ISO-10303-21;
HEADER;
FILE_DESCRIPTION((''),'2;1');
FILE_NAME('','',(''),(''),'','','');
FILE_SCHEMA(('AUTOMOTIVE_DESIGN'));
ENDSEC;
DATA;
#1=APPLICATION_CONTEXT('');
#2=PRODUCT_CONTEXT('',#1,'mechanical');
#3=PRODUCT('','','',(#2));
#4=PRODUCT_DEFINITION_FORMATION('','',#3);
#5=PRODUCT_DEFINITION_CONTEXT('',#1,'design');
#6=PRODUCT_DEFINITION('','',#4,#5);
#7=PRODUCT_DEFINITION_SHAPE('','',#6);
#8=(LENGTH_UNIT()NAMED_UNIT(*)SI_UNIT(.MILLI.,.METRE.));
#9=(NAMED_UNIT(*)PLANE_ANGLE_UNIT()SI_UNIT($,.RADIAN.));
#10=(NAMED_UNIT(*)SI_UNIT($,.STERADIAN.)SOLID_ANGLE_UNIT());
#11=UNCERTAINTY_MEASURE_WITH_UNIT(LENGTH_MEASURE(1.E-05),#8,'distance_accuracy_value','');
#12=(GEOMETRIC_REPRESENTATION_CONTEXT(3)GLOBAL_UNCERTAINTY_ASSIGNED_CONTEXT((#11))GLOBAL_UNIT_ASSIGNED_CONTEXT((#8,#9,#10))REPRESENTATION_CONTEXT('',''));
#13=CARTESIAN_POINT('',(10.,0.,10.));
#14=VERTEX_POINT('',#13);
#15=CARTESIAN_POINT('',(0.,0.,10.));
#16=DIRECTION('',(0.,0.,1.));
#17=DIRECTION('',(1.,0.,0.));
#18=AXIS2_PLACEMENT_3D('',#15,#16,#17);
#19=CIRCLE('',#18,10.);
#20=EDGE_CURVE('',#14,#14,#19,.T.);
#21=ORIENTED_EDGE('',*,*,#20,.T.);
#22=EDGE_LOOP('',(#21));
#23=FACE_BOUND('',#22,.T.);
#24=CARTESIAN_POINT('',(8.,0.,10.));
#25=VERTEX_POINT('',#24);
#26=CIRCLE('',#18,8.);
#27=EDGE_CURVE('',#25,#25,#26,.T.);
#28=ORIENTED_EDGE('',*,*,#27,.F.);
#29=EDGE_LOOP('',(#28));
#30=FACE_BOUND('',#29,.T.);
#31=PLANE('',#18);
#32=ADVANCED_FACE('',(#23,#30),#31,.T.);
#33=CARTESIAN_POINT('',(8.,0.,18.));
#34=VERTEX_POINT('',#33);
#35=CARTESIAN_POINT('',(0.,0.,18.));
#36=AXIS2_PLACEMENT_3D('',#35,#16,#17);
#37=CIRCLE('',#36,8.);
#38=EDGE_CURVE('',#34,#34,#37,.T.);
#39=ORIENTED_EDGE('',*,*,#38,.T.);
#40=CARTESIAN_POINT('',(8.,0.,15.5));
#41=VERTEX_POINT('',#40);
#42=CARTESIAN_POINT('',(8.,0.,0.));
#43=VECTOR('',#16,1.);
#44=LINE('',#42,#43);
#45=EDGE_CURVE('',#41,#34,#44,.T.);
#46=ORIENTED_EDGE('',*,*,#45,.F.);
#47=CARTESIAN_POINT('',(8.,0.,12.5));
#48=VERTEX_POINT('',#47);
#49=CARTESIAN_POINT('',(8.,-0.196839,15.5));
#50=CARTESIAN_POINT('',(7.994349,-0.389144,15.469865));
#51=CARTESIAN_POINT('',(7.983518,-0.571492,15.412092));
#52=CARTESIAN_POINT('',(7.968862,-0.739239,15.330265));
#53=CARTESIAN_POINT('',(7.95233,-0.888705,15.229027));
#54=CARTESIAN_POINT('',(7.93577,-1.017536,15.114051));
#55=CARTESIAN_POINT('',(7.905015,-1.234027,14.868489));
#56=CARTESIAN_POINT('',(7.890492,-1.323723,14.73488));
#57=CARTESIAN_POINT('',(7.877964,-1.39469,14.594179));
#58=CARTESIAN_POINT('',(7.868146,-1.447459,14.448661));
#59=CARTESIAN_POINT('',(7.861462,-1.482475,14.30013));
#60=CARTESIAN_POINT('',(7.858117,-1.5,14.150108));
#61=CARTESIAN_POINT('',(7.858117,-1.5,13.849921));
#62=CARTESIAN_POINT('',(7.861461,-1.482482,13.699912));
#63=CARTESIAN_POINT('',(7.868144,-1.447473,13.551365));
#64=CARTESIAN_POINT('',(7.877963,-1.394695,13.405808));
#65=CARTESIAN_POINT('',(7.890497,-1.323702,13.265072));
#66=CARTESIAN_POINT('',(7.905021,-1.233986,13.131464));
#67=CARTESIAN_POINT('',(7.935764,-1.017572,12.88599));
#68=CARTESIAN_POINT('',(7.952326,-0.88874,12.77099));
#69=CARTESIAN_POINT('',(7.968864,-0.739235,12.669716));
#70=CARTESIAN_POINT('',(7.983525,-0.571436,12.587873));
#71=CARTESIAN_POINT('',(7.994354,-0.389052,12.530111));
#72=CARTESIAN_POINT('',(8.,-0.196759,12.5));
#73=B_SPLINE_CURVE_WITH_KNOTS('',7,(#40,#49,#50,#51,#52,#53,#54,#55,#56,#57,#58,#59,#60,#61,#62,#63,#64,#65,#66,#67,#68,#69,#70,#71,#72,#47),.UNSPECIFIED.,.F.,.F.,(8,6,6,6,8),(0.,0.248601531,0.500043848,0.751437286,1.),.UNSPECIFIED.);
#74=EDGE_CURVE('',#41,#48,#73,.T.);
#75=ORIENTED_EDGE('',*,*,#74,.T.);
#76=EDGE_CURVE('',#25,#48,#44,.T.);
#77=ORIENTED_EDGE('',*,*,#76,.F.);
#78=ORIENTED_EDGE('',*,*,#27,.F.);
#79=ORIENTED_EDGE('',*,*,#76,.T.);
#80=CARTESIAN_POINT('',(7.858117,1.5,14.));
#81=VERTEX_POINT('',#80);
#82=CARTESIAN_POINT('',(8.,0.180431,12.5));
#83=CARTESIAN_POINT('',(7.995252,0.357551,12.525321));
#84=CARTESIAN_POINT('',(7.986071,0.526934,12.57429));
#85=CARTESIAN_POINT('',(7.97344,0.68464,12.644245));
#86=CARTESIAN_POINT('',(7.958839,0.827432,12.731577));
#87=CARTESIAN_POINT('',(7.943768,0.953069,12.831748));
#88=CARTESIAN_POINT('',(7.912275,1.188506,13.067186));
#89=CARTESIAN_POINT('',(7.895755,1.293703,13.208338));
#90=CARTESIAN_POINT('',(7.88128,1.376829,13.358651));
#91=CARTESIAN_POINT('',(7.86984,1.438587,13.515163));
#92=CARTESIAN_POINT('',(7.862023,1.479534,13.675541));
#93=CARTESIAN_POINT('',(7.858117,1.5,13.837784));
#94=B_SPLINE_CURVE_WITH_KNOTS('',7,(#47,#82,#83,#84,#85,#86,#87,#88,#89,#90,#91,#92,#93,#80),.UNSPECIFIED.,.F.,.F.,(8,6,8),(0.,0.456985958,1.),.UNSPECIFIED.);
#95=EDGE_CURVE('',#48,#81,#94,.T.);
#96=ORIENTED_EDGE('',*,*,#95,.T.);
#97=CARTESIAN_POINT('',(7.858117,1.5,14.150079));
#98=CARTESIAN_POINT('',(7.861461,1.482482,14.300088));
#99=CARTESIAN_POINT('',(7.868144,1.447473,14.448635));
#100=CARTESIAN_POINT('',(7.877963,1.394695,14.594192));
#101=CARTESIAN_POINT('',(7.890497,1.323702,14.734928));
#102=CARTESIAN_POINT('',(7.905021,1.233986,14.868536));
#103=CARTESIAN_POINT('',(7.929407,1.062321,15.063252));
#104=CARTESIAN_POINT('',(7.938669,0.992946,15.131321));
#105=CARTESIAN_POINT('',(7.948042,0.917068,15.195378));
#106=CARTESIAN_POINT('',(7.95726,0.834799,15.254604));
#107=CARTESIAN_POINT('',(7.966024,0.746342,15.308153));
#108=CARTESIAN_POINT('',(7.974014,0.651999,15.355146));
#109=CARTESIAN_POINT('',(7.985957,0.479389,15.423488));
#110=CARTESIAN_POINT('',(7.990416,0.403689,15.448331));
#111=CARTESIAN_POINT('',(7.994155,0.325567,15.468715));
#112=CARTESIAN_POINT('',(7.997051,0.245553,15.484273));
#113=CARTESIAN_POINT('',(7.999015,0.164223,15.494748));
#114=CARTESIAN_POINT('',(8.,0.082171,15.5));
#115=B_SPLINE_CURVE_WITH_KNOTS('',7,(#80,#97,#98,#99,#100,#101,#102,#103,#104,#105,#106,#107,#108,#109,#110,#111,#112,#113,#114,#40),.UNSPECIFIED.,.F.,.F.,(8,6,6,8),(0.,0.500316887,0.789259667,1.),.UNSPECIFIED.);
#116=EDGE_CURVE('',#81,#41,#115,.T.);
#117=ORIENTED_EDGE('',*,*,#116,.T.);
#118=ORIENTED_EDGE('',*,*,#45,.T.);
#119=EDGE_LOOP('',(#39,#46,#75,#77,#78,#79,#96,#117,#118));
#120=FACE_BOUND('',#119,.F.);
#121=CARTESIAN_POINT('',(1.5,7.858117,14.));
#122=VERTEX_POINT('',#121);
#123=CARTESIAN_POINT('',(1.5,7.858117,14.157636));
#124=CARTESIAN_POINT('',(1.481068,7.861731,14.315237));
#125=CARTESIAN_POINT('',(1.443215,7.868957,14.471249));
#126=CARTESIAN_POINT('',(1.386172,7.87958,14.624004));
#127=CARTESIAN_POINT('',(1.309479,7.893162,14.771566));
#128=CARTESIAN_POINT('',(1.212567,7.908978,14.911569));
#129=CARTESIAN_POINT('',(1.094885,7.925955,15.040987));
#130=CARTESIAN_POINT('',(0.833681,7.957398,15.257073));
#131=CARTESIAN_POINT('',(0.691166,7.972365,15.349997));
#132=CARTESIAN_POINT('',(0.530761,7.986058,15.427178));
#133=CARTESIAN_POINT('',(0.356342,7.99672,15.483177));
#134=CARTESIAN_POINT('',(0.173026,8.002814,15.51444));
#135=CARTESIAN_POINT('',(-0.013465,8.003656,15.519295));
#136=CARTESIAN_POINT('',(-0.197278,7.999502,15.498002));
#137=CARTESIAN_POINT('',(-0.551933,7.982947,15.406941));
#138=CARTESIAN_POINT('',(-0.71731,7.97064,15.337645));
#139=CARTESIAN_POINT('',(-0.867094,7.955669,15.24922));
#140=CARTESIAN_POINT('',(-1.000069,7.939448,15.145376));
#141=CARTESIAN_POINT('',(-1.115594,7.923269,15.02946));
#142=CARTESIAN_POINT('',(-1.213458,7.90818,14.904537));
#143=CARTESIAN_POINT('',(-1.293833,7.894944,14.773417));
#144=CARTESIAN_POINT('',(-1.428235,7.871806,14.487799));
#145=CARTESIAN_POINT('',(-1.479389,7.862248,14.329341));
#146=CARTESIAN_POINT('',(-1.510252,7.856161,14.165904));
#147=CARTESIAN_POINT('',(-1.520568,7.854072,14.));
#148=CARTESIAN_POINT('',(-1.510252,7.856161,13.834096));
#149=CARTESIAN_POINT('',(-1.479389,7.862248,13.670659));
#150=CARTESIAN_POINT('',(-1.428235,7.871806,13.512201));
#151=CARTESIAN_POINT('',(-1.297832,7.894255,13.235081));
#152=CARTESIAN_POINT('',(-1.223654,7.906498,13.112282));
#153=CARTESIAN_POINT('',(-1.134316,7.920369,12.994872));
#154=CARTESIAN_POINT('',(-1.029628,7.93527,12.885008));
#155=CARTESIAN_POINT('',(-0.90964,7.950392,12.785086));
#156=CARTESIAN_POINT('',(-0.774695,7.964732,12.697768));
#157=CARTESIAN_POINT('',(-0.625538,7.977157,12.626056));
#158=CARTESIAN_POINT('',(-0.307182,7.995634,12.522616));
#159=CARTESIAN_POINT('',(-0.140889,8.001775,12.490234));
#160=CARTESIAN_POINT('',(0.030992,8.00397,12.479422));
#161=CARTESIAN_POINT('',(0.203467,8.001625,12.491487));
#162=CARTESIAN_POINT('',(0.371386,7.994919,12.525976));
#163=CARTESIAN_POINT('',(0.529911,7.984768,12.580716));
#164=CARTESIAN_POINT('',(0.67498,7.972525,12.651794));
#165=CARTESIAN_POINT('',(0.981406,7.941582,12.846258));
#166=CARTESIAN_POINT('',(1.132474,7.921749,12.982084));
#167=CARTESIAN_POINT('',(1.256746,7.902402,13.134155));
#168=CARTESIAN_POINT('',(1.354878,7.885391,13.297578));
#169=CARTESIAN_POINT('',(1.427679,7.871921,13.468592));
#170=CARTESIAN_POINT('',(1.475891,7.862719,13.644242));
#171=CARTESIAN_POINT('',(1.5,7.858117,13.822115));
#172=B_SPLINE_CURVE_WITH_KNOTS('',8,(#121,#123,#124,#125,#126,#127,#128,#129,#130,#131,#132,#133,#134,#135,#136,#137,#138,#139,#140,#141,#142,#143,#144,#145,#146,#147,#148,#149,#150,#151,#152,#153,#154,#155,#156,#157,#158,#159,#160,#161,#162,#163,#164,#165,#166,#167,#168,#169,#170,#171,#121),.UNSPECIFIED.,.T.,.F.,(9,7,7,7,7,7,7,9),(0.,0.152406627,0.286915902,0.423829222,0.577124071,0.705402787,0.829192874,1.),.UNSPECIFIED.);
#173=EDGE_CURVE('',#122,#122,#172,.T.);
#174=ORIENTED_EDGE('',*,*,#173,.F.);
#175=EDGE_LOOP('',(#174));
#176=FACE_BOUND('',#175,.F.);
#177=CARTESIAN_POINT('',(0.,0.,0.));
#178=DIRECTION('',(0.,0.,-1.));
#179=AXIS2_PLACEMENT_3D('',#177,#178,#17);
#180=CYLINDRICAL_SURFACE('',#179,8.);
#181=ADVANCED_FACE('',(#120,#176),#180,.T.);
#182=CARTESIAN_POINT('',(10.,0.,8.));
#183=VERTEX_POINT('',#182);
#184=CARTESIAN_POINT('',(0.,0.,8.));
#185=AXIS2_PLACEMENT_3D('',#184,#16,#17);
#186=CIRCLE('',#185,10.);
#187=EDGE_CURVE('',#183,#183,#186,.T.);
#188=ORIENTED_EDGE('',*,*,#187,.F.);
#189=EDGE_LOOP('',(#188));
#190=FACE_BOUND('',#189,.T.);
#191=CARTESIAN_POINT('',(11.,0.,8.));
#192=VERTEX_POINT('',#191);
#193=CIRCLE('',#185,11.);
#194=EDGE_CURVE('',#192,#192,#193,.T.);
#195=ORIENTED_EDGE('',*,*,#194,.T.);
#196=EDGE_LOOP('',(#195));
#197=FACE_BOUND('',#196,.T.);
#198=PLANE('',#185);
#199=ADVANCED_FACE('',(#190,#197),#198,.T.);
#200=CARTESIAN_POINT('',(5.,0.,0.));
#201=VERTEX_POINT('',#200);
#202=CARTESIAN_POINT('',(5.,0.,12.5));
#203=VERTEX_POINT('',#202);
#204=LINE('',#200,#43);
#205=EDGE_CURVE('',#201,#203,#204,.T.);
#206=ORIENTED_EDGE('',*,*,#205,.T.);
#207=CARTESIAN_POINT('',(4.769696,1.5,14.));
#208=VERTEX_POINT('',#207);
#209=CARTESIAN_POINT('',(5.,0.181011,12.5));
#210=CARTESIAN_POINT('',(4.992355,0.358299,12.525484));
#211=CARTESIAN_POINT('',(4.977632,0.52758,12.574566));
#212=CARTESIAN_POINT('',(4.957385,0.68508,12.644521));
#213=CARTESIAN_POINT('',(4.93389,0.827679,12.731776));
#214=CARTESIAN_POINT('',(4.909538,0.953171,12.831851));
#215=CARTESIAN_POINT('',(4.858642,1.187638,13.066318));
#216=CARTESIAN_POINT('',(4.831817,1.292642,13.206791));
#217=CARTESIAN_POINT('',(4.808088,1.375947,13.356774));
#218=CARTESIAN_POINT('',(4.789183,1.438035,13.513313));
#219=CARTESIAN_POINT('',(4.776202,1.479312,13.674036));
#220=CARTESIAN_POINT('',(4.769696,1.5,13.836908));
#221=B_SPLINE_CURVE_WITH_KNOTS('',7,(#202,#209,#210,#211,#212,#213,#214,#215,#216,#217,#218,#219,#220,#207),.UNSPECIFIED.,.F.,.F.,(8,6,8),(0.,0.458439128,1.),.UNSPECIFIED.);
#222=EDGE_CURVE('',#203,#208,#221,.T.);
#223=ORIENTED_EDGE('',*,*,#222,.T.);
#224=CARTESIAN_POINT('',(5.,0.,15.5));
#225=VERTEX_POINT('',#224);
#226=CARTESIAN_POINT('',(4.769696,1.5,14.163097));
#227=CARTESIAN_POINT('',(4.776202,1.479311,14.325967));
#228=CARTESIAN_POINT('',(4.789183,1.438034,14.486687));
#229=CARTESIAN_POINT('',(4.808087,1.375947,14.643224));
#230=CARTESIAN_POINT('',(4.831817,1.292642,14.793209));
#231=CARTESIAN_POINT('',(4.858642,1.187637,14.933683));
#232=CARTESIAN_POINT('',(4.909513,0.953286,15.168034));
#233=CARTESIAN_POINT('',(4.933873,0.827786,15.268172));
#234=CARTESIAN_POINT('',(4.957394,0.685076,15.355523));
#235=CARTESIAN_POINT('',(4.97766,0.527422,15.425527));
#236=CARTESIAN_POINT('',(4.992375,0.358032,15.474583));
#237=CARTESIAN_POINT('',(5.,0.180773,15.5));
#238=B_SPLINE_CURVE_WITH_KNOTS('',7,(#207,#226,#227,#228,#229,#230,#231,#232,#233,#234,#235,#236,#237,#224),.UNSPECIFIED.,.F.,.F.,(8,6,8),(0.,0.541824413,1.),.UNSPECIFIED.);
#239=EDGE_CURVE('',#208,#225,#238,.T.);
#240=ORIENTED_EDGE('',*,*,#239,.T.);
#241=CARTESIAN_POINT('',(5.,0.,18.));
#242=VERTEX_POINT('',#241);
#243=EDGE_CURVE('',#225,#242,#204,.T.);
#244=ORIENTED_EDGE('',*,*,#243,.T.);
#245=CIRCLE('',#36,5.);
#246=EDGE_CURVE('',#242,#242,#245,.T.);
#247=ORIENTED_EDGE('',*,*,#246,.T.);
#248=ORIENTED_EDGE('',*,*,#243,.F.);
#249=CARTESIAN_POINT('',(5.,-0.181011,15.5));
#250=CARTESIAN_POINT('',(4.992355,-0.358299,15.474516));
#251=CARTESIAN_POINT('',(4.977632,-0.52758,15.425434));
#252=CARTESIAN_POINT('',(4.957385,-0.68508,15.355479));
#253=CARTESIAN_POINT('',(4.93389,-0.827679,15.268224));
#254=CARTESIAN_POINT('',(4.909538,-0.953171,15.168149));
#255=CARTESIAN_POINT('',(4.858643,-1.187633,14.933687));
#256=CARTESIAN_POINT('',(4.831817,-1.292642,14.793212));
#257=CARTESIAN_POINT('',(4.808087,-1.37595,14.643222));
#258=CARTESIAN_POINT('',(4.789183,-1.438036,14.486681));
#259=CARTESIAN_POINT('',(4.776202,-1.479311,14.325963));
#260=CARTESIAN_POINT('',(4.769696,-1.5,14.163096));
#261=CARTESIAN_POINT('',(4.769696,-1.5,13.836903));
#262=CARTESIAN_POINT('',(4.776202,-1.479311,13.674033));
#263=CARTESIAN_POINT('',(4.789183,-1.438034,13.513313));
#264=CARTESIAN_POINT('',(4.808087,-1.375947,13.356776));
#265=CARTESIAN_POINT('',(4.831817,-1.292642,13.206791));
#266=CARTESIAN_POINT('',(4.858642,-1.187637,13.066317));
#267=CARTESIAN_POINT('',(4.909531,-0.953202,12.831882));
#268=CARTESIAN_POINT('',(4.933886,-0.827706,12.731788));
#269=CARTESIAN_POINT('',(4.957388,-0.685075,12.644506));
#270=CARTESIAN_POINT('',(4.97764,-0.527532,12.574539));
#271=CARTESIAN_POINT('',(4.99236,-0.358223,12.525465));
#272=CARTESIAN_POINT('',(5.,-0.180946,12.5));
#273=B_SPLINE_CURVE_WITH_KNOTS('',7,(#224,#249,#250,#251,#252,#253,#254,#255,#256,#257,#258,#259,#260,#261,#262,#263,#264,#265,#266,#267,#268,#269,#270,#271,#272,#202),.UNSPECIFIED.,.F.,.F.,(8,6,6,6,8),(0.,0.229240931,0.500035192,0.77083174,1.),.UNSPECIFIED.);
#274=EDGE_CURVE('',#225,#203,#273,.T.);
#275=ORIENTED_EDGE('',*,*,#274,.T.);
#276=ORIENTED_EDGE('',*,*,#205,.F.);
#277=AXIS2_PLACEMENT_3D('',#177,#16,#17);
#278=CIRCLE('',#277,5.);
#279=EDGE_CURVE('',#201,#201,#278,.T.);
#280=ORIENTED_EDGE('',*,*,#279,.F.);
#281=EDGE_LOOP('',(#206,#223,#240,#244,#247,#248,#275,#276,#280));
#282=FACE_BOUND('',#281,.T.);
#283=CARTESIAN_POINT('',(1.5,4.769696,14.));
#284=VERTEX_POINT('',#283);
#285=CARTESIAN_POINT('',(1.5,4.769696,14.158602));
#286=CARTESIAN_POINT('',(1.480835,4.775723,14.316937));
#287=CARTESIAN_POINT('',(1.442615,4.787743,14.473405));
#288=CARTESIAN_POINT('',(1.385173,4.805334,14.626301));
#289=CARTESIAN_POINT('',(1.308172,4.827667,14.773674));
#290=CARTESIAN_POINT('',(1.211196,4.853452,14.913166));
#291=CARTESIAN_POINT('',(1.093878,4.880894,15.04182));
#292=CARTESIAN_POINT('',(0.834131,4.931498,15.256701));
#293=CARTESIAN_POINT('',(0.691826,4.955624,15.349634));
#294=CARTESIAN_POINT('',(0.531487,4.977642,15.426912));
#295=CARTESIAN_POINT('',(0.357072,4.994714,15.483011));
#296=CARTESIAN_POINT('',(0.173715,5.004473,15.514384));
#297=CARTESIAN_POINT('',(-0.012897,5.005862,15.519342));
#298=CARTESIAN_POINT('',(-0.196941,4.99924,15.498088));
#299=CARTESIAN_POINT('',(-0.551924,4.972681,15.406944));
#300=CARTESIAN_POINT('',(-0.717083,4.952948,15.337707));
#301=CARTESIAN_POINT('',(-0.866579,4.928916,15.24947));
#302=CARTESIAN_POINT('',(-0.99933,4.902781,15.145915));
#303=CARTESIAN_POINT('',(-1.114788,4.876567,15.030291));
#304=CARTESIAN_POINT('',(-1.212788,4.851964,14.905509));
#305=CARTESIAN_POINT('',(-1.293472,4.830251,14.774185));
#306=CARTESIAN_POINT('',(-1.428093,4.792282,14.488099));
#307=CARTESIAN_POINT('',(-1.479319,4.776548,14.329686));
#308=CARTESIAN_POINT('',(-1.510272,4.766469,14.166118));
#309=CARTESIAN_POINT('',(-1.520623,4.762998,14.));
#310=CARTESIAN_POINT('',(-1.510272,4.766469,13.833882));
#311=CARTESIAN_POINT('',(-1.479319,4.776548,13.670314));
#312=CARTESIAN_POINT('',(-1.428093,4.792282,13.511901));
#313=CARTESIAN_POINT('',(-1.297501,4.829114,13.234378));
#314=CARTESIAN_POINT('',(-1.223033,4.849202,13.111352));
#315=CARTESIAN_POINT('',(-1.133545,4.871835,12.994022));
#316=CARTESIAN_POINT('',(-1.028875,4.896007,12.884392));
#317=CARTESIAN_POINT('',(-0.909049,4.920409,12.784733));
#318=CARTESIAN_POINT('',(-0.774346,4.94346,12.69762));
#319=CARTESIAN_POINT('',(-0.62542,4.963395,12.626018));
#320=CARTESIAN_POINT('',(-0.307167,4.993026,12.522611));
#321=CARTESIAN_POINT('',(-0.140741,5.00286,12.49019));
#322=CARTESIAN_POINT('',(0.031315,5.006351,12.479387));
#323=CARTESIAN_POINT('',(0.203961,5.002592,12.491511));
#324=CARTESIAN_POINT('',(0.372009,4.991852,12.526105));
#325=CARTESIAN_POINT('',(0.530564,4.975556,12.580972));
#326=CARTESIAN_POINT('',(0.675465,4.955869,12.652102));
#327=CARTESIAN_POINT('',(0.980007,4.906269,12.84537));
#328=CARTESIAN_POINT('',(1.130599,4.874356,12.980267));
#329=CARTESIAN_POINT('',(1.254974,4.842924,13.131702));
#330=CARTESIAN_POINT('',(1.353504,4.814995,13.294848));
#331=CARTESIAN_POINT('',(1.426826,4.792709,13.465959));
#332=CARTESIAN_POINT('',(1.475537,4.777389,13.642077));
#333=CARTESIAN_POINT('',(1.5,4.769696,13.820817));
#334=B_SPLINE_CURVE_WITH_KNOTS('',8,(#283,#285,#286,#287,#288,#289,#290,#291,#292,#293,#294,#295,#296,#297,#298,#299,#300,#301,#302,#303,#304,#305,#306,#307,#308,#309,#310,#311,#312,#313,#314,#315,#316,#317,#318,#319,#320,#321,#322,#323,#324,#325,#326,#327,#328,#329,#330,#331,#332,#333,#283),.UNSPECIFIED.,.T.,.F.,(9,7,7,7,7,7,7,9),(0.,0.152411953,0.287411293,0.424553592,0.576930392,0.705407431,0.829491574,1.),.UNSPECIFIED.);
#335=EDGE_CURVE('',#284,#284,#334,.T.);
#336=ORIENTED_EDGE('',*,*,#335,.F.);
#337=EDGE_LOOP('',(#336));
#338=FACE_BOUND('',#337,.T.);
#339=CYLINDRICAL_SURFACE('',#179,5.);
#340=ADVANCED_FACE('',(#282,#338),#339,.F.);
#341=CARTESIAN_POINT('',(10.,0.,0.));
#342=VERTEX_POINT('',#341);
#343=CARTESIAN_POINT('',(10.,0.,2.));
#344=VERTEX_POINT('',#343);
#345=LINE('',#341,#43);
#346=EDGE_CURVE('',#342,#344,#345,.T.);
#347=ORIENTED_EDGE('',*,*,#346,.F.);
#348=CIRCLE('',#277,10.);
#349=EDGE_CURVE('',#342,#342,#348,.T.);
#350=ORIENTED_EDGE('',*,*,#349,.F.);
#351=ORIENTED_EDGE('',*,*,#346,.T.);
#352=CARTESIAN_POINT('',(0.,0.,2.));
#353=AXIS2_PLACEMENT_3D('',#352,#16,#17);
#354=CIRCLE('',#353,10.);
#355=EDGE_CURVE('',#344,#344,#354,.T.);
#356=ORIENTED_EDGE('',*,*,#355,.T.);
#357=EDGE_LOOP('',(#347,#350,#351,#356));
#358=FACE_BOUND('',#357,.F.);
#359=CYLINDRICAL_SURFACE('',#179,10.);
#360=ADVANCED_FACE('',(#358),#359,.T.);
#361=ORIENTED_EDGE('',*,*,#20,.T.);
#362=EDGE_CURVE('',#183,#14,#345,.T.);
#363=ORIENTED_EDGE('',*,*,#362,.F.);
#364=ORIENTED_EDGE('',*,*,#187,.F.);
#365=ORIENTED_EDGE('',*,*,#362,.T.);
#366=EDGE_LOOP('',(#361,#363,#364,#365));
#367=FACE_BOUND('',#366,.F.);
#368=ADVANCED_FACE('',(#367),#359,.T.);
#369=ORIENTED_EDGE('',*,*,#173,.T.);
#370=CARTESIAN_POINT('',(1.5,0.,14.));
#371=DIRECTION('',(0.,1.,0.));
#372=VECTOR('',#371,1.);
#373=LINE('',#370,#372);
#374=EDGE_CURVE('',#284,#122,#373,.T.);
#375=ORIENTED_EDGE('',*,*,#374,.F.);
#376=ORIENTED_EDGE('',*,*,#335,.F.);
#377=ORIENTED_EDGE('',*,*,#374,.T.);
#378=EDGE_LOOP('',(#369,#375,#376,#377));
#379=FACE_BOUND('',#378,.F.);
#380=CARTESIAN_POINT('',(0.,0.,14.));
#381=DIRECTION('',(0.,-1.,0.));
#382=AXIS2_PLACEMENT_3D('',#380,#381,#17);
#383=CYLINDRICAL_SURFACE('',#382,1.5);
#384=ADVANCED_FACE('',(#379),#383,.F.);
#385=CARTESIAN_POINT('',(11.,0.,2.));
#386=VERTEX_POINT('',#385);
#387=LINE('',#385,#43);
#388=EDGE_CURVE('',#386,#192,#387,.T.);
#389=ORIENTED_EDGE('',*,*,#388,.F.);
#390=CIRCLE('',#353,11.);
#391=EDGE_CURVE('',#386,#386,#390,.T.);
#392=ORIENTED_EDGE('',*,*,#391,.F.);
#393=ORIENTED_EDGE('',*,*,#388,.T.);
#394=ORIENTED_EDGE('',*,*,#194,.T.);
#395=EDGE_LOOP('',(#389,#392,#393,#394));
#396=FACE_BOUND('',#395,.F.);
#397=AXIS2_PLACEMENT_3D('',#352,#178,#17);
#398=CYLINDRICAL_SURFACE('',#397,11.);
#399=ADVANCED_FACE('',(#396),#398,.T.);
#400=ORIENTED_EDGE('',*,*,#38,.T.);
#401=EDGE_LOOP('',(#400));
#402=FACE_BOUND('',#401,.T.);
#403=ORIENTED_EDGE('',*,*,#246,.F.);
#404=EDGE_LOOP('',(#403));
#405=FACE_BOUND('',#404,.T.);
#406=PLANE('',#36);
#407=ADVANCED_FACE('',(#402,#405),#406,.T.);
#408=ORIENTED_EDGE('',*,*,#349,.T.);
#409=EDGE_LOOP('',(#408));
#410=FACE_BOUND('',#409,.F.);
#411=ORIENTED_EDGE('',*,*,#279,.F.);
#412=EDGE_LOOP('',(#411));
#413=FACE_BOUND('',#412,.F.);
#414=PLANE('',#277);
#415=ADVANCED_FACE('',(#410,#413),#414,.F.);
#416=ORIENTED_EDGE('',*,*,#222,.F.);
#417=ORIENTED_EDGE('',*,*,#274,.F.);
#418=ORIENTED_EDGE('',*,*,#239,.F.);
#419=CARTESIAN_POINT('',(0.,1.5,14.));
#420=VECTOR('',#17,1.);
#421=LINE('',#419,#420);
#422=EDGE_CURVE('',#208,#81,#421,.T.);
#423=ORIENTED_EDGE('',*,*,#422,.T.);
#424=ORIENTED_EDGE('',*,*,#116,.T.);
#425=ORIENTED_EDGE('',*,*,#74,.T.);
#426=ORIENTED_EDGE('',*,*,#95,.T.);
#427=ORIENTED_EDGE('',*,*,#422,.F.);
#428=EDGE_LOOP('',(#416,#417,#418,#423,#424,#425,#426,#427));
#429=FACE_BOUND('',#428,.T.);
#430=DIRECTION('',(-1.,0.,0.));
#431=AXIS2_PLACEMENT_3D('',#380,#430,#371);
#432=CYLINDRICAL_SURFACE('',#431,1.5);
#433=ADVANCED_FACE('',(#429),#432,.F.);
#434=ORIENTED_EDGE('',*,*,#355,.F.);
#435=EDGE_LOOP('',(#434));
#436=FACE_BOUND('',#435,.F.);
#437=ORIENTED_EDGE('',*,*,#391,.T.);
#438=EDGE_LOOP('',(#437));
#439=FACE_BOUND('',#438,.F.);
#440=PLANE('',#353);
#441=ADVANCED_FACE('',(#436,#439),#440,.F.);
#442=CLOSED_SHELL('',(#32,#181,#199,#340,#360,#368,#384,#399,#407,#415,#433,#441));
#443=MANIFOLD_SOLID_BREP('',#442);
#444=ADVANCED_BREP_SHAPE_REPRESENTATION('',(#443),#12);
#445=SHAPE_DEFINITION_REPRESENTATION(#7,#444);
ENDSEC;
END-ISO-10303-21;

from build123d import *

# Parameters (mm, degrees)
F0_R     = 8
F0_R_2   = 5
F2_DEPTH = 18
F0_R_3   = 10
F3_DEPTH = 10
F4_START = 2
F0_R_4   = 11
F4_DEPTH = 6
F1_R     = 1.5
F5_DEPTH = 11.001
F6_R     = 1.5
F7_DEPTH = 11.001


with BuildPart() as f2:
    # F0 (on Top) → F2 (new body)
    with BuildSketch(Plane.XY):
        Circle(F0_R)
        Circle(F0_R_2, mode=Mode.SUBTRACT)
    extrude(amount=F2_DEPTH)

    # F0 (on Top) → F3 (join)
    with BuildSketch(Plane.XY):
        Circle(F0_R_3)
        Circle(F0_R, mode=Mode.SUBTRACT)
    extrude(amount=F3_DEPTH)

    # F0 (on Top) → F4 (join)
    with BuildSketch(Plane.XY.offset(F4_START)):
        Circle(F0_R_4)
        Circle(F0_R_3, mode=Mode.SUBTRACT)
    extrude(amount=F4_DEPTH)

    # F1 (on Right) → F5 (cut, through all)
    with BuildSketch(Plane.YZ):
        with Locations((0, 14)):
            Circle(F1_R)
    extrude(amount=F5_DEPTH, mode=Mode.SUBTRACT)

    # F6 (on Front) → F7 (cut, through all)
    with BuildSketch(Plane.XZ):
        with Locations((0, 14)):
            Circle(F6_R)
    extrude(amount=-F7_DEPTH, mode=Mode.SUBTRACT)


solid = f2.part
